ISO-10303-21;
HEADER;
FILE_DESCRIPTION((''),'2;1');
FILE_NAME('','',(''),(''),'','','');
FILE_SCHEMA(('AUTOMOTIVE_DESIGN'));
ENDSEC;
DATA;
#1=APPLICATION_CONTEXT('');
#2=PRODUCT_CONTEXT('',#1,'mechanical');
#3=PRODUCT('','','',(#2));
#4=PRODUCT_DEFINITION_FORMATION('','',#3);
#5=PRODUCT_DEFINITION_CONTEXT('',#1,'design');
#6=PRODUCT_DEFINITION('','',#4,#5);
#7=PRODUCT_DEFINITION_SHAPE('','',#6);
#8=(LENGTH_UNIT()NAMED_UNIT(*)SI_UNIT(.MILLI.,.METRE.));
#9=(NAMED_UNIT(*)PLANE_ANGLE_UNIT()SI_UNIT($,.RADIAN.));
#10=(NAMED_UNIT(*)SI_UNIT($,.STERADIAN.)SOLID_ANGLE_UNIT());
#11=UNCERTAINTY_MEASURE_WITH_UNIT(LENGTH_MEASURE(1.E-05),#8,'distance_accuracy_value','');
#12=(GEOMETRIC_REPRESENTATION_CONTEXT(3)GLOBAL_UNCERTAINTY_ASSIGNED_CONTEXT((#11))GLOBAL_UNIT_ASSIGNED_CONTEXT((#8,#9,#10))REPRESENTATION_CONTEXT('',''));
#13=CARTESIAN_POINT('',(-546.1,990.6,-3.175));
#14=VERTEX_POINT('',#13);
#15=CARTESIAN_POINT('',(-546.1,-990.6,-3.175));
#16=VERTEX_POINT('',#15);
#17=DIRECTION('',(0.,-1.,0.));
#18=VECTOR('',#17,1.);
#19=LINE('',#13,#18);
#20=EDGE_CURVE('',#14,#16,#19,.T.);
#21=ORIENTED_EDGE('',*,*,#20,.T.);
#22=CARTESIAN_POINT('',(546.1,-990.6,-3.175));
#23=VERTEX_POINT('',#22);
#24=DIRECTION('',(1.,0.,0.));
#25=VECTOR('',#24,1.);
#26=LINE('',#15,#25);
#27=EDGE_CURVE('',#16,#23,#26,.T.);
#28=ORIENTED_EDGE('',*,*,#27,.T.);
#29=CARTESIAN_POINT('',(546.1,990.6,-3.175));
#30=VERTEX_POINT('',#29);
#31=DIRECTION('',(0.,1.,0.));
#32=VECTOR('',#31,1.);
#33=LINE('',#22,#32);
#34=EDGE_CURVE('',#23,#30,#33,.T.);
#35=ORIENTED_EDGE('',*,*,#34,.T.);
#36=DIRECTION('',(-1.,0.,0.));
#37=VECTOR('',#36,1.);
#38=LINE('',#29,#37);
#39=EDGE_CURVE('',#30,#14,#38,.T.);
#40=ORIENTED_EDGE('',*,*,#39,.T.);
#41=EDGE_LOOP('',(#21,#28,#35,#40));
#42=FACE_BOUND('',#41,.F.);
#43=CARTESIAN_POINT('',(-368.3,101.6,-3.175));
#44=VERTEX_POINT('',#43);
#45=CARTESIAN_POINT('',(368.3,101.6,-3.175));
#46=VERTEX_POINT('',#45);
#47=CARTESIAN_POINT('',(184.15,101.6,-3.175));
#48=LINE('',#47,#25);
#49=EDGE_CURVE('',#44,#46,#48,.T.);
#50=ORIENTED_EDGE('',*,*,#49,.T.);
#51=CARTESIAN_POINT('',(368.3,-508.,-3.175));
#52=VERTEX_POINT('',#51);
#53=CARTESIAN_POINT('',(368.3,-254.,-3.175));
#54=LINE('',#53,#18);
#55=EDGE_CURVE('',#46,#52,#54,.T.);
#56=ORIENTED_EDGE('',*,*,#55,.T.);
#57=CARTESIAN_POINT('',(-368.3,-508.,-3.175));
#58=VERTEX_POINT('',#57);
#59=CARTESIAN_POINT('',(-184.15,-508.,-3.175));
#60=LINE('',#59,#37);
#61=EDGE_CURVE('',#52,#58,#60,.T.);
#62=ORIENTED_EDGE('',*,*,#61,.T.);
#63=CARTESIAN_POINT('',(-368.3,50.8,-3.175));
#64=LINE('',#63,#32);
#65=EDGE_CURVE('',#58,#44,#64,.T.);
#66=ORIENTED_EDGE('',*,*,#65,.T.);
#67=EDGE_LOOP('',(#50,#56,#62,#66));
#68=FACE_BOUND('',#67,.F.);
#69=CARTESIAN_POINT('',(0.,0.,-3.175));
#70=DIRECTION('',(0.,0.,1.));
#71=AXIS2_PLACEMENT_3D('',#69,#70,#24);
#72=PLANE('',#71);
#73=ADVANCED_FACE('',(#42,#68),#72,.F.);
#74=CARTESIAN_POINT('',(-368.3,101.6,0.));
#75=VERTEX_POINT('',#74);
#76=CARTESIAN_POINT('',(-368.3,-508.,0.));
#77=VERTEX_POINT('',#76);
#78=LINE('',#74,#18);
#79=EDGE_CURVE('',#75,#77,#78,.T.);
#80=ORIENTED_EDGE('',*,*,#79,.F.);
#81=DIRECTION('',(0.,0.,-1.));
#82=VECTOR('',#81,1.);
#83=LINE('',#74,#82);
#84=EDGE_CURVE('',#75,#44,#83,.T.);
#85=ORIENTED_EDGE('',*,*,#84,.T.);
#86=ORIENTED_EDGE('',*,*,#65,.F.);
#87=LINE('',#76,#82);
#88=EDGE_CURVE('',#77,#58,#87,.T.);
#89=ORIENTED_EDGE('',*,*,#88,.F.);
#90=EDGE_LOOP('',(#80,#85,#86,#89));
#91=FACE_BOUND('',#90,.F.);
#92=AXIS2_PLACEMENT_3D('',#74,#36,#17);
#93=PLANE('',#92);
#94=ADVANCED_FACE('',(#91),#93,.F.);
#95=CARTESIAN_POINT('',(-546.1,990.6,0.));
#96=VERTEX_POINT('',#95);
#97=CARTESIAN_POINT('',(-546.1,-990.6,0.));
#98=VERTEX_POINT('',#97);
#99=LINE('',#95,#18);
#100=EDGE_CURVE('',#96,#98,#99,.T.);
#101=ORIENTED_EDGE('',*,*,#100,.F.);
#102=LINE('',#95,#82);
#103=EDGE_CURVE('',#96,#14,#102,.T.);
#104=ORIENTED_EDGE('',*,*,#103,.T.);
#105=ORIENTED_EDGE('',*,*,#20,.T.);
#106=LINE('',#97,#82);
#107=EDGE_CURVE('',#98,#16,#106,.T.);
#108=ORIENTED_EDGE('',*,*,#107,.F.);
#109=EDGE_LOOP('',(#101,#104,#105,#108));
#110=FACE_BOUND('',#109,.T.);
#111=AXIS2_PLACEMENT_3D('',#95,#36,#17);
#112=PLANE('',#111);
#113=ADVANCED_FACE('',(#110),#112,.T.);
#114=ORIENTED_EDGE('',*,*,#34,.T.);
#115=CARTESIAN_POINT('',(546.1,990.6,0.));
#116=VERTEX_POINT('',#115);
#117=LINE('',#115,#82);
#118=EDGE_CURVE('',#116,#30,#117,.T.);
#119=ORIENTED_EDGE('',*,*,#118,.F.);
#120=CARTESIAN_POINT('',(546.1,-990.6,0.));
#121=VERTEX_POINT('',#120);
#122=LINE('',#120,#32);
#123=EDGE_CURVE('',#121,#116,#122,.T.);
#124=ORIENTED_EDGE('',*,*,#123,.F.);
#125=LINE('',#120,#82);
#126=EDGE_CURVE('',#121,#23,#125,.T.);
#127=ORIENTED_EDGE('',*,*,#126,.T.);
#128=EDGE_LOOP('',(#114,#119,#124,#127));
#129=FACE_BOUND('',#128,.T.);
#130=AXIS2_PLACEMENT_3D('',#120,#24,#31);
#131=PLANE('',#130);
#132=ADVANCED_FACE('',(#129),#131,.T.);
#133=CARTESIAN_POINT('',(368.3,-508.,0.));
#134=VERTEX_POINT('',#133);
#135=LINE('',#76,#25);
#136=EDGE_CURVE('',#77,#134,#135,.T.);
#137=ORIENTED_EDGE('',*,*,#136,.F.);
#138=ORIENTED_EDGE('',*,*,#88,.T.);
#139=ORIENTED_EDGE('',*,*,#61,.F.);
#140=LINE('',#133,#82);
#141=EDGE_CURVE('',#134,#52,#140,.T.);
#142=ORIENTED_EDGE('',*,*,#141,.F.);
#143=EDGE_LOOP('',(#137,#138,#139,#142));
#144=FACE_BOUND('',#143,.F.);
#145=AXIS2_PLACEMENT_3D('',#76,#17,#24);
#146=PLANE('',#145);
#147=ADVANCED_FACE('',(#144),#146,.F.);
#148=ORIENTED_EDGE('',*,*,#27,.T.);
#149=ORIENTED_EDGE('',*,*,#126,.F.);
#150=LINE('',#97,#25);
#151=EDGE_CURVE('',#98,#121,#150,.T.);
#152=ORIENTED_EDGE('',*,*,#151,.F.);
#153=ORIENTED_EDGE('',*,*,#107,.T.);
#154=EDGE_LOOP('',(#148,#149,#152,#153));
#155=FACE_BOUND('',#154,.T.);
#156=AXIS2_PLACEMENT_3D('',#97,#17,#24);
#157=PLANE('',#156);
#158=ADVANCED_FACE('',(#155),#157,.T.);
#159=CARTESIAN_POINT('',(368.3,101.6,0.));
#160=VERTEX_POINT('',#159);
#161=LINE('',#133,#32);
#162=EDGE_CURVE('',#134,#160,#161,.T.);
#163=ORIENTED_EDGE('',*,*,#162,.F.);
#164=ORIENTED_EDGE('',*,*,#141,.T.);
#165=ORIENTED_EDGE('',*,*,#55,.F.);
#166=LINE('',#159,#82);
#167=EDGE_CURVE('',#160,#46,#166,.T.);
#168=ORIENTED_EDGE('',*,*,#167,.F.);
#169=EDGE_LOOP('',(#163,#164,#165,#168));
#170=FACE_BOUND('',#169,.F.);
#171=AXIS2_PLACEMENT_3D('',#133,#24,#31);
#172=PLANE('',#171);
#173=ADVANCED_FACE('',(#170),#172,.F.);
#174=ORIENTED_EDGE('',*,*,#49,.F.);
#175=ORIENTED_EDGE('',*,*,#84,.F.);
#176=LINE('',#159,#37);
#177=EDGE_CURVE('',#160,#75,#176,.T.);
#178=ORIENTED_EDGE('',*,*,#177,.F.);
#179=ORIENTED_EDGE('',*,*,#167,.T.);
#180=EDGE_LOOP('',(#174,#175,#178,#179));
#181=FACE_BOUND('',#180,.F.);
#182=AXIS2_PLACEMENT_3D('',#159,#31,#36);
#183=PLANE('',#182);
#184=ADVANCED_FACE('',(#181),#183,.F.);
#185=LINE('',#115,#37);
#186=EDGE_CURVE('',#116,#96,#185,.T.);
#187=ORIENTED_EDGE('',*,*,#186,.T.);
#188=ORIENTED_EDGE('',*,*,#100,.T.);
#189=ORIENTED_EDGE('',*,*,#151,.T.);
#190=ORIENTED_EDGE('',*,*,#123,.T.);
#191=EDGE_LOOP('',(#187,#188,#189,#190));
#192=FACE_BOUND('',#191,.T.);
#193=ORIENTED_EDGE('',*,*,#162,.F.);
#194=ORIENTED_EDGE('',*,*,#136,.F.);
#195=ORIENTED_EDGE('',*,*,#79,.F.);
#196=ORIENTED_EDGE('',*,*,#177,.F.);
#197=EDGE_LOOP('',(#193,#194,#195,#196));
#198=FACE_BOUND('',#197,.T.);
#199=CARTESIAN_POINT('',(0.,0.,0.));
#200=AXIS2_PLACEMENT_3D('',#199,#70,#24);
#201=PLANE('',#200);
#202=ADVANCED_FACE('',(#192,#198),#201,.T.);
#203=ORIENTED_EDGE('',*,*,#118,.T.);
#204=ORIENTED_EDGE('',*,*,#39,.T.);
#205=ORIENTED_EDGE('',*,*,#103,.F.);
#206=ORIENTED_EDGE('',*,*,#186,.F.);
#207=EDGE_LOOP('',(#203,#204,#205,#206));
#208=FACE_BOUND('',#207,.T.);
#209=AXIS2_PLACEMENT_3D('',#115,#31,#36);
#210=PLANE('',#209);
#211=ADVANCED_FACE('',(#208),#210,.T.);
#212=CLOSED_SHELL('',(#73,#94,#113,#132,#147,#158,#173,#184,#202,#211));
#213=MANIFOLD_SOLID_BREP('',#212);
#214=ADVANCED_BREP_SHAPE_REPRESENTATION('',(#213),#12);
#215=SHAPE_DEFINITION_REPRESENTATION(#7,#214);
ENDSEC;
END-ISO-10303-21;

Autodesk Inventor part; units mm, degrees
ref_plane "YZ Plane" through (0, 0, 0) normal (1, 0, 0) x (0, 1, 0)
ref_plane "XZ Plane" through (0, 0, 0) normal (0, 1, 0) x (-1, 0, 0)
ref_plane "XY Plane" through (0, 0, 0) normal (0, 0, 1) x (1, 0, 0)
sketch "Sketch1" plane through (0, 0, 0) normal (0, 0, 1) x (1, 0, 0)
  line L0 (-546.1, -990.6) -> (546.1, -990.6)
  line L1 (546.1, -990.6) -> (546.1, 990.6)
  line L2 (546.1, 990.6) -> (-546.1, 990.6)
  line L3 (-546.1, 990.6) -> (-546.1, -990.6)
  line L4 (-546.1, -990.6) -> (546.1, 990.6) construction
  line L5 (546.1, -990.6) -> (-546.1, 990.6) construction
  point P0 (0, 0)
  dimension "d0" = 1092.2
  dimension "d1" = 1981.2
extrude "Extrusion1" add sketch "Sketch1" against normal blind 3.175
sketch "Sketch2" plane through (0, 0, 0) normal (0, 0, 1) x (1, 0, 0)
  line L0 (546.1, 990.6) -> (-546.1, 990.6) projected
  line L1 (-546.1, 990.6) -> (-546.1, -990.6) projected
  line L2 (-368.3, -508) -> (368.3, -508)
  line L3 (368.3, -508) -> (368.3, 101.6)
  line L4 (368.3, 101.6) -> (-368.3, 101.6)
  line L5 (-368.3, 101.6) -> (-368.3, -508)
  point P0 (0, 0)
  dimension "d4" = 736.6
  dimension "d6" = 609.6
  dimension "d7" = 889
  dimension "d8" = 177.8
extrude "Extrusion2" cut sketch "Sketch2" against normal up to next
properties part number "GE-13012B" material "Polyethylene, High Density"
